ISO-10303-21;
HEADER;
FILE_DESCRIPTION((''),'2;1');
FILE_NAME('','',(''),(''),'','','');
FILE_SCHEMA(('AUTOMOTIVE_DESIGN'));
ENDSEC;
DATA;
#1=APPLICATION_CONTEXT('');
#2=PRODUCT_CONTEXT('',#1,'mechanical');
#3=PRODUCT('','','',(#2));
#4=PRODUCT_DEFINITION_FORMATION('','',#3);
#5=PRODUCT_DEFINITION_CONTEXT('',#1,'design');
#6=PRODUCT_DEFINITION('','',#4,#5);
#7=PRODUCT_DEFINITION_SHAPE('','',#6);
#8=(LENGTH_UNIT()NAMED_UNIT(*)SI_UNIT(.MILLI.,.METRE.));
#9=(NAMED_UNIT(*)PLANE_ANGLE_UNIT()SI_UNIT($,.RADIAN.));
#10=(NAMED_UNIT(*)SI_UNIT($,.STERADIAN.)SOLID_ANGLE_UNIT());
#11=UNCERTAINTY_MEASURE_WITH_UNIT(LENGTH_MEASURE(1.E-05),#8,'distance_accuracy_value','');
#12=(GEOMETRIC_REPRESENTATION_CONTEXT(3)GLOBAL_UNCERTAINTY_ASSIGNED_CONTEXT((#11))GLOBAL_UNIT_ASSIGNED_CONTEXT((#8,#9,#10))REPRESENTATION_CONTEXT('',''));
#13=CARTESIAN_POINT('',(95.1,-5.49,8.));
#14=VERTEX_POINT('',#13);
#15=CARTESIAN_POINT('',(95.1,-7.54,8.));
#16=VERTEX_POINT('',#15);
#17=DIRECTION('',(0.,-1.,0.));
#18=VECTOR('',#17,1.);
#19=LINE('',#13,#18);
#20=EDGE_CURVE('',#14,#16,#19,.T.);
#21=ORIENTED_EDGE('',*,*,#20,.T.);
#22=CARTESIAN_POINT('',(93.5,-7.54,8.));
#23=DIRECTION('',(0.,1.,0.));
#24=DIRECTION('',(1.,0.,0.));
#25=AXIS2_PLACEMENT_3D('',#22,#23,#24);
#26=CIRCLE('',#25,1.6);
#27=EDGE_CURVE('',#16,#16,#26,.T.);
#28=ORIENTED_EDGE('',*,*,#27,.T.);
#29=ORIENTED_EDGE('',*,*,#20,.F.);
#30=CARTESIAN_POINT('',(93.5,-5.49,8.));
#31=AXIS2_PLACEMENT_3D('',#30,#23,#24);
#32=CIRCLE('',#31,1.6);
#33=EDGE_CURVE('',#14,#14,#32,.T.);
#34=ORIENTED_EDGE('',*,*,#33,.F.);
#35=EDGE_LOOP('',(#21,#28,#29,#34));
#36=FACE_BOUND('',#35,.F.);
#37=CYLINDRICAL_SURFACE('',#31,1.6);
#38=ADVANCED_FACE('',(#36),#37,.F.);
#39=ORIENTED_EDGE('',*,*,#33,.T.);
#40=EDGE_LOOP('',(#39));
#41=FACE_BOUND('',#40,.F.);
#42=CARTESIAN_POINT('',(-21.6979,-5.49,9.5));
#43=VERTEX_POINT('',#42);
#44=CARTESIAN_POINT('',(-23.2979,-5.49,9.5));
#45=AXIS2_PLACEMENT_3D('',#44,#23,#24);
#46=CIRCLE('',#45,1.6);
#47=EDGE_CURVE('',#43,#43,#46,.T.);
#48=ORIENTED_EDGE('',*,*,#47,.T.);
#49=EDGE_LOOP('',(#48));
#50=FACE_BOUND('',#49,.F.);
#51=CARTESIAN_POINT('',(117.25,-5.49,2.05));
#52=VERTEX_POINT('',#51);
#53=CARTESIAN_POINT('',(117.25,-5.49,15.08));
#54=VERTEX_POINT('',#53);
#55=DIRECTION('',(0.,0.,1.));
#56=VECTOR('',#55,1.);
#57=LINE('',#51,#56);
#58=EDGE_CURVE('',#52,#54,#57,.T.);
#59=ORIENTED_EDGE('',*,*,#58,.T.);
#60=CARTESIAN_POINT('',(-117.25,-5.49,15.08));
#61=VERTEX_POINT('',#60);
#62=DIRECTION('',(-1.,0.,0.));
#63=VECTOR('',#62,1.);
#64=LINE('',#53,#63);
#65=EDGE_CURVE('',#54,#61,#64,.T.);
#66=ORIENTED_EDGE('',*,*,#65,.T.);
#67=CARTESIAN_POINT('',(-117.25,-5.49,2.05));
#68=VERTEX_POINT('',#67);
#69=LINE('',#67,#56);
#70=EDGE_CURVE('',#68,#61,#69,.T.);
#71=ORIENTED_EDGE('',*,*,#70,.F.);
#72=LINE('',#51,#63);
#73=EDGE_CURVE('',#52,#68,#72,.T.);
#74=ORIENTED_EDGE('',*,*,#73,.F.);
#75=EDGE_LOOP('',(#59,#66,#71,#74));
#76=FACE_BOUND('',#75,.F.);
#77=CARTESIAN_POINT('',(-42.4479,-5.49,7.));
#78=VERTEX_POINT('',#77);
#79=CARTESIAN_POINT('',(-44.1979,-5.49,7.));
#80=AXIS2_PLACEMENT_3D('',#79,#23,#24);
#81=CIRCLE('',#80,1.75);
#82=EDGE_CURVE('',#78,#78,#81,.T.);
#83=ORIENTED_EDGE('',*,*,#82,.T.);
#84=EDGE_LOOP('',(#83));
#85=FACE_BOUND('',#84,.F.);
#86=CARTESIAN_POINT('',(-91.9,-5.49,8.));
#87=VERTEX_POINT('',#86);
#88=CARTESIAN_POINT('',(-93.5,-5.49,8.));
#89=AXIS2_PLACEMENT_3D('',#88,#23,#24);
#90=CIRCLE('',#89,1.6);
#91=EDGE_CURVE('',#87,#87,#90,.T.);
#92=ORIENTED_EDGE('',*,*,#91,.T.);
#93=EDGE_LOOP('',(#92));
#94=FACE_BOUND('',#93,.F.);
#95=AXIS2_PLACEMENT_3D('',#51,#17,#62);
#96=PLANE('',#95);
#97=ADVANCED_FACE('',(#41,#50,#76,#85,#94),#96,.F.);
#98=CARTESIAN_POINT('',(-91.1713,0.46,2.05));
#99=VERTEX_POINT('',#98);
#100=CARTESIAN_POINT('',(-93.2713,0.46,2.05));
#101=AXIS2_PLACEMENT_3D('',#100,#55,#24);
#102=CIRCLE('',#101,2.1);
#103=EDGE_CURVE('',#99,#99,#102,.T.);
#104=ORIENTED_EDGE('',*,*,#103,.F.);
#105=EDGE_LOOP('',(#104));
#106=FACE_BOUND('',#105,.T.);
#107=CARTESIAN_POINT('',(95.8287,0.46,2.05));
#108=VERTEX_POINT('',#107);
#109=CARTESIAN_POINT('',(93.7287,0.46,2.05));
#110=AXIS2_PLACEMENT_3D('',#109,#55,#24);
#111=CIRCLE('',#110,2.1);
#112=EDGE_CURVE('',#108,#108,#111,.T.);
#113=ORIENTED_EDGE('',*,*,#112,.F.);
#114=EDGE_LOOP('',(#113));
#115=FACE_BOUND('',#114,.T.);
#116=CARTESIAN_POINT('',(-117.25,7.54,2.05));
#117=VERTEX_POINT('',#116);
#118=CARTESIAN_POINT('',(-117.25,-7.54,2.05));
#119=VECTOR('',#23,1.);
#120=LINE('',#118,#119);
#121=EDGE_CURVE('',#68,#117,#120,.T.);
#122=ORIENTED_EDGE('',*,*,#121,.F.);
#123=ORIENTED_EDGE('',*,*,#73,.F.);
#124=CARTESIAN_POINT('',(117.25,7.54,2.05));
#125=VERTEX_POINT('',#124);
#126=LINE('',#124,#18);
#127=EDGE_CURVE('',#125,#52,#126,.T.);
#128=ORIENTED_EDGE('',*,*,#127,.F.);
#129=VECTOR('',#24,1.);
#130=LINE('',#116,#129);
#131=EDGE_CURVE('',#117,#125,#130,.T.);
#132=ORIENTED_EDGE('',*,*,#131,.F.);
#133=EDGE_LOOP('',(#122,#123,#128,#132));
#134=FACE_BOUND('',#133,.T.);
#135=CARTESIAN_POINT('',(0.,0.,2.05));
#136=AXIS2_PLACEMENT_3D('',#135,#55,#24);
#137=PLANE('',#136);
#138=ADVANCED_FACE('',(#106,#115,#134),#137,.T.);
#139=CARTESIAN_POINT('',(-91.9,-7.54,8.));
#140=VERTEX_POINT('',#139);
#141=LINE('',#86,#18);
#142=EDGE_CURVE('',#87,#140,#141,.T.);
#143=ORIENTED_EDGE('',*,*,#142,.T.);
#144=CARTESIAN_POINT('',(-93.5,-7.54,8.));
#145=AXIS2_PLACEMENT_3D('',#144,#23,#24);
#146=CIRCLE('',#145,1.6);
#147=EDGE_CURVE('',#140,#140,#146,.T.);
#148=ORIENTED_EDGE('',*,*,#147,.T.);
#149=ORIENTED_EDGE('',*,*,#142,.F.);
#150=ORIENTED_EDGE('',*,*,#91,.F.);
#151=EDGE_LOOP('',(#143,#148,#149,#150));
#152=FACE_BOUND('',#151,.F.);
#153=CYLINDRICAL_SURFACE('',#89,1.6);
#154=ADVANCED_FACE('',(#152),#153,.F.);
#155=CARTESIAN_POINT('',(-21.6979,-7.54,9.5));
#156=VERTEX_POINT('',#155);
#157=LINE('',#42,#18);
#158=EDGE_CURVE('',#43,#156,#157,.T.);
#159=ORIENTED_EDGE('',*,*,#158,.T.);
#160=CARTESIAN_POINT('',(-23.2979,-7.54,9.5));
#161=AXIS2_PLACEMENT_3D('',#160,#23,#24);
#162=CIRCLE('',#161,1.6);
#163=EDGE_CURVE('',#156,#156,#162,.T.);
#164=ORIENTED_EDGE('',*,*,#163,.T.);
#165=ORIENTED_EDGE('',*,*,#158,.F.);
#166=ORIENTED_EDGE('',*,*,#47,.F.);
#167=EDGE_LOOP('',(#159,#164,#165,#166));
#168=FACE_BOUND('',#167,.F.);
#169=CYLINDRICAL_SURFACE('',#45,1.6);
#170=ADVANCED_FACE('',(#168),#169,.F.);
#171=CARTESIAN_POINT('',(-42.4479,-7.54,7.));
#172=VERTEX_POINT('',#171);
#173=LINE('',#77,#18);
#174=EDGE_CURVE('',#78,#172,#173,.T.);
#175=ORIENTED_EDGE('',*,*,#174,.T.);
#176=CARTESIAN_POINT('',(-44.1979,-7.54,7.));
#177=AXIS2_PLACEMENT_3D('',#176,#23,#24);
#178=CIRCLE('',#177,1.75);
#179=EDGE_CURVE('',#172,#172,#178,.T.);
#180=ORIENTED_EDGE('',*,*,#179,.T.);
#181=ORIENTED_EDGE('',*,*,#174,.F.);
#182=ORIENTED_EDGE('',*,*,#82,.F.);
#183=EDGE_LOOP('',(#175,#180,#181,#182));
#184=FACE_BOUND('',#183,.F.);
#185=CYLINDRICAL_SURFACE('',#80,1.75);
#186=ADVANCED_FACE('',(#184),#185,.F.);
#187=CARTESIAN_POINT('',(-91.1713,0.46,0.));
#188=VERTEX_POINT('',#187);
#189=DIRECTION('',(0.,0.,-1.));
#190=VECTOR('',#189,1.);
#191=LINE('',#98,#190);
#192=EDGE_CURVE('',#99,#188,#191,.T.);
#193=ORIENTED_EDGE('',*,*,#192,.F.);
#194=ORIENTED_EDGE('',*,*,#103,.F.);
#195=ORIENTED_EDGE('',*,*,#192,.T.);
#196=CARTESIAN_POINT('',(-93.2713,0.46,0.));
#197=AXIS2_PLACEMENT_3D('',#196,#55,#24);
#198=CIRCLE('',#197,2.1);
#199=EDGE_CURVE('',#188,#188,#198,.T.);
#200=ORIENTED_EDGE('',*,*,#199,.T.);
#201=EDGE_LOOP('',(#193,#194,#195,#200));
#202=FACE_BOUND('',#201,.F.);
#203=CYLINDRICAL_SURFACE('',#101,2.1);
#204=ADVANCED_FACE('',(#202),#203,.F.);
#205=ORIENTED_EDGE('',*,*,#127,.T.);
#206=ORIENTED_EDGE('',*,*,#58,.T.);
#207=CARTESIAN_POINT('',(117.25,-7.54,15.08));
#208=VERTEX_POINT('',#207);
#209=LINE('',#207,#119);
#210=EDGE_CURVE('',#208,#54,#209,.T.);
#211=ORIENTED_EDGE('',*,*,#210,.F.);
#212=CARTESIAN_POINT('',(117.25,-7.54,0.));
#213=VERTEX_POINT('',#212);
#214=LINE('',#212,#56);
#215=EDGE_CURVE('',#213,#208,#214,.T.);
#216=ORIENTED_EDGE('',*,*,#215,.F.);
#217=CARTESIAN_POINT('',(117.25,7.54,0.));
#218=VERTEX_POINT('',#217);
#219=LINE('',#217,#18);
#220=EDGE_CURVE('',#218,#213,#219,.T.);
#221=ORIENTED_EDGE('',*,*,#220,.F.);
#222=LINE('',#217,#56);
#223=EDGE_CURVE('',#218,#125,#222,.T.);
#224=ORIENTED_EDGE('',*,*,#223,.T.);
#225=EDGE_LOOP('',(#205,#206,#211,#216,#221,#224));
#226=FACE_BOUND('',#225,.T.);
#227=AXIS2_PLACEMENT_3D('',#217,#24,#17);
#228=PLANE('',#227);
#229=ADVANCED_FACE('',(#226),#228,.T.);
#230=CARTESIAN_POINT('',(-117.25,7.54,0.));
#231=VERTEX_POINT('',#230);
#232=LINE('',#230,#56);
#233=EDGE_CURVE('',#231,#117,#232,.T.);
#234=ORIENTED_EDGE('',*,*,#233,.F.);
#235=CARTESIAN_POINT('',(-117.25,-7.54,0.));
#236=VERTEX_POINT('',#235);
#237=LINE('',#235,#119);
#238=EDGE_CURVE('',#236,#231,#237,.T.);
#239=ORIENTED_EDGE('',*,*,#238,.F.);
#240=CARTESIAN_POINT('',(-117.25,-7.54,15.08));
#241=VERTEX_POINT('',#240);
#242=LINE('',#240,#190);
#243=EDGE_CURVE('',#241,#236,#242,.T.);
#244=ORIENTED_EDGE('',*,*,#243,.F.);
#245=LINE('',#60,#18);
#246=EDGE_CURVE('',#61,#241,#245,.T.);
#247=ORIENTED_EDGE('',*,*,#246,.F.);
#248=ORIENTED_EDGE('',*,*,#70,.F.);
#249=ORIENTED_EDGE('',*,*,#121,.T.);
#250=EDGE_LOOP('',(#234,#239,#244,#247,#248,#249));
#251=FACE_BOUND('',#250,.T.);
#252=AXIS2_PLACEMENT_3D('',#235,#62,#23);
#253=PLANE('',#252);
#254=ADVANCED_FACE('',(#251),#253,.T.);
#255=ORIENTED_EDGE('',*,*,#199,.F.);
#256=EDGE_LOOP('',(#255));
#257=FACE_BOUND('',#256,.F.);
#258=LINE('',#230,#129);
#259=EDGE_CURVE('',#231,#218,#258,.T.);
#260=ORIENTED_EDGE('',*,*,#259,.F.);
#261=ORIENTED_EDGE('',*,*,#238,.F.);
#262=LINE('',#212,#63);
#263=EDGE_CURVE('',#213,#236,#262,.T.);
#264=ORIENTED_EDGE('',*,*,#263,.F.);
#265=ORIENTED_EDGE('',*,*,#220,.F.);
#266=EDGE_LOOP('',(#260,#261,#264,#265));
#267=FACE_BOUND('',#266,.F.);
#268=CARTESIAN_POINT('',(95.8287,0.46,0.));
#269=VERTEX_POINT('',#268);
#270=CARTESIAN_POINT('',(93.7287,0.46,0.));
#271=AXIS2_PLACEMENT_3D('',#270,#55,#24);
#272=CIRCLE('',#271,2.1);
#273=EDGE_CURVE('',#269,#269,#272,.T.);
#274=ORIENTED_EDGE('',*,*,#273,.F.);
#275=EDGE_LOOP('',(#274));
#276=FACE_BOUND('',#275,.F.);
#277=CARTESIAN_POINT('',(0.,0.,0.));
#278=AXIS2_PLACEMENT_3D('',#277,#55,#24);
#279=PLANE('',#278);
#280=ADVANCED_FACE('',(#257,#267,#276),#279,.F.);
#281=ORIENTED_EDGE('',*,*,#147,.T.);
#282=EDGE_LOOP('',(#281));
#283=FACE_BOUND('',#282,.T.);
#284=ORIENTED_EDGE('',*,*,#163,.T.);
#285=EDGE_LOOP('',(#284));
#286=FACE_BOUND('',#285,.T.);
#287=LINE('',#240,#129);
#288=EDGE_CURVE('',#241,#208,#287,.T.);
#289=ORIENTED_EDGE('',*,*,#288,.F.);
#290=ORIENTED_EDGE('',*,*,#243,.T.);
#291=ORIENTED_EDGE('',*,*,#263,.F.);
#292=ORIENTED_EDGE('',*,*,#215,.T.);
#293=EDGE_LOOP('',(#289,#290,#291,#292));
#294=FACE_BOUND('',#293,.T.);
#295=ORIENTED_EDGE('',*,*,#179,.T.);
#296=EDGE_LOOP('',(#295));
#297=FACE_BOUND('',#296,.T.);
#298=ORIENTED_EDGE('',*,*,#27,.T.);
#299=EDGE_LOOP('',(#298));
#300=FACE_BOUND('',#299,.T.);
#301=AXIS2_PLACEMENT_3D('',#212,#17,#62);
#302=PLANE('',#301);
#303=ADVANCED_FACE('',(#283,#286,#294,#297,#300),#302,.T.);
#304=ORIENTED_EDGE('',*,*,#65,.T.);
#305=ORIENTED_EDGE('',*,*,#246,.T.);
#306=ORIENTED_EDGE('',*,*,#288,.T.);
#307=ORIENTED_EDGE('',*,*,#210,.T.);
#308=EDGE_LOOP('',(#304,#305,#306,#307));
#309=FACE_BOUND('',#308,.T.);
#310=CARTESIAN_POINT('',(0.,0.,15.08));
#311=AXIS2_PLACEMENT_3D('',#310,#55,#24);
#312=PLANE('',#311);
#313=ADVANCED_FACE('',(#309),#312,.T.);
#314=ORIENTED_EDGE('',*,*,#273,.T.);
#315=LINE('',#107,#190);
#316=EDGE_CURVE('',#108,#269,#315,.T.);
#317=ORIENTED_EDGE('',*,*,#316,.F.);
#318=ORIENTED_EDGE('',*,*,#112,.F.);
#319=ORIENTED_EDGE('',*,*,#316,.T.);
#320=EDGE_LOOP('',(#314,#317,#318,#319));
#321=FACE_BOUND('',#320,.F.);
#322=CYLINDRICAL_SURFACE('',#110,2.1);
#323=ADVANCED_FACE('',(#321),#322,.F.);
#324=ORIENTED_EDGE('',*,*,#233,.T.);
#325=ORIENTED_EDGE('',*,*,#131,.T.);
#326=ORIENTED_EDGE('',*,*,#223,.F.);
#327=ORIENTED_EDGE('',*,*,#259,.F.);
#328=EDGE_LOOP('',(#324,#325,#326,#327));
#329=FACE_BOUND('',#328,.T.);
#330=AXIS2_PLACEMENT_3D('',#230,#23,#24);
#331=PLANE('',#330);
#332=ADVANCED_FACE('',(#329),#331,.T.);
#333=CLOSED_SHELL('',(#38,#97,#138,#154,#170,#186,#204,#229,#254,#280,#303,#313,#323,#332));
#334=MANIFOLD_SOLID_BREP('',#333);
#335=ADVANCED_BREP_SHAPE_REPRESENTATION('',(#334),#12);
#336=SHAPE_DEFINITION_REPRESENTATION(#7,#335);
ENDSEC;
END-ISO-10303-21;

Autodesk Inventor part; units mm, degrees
ref_plane "YZ Plane" through (0, 0, 0) normal (1, 0, 0) x (0, 1, 0)
ref_plane "XZ Plane" through (0, 0, 0) normal (0, 1, 0) x (-1, 0, 0)
ref_plane "XY Plane" through (0, 0, 0) normal (0, 0, 1) x (1, 0, 0)
sketch "Sketch1" plane through (0, 0, 0) normal (0, 0, 1) x (1, 0, 0)
  line L0 (117.25, -7.54) -> (-117.25, -7.54)
  line L1 (-117.25, -7.54) -> (-117.25, 7.54)
  line L2 (-117.25, 7.54) -> (117.25, 7.54)
  line L3 (117.25, 7.54) -> (117.25, -7.54)
  line L4 (117.25, -7.54) -> (-117.25, 7.54) construction
  line L5 (-117.25, -7.54) -> (117.25, 7.54) construction
  point P0 (0, 0)
  dimension "d0" = 234.5
  dimension "d1" = 15.08
extrude "Extrusion1" add sketch "Sketch1" along normal blind 2.05
sketch "Sketch2" plane through (0, 0, 2.05) normal (0, 0, 1) x (1, 0, 0)
  line L0 (-117.25, -7.54) -> (117.25, -7.54) projected
  line L1 (117.25, -7.54) -> (117.25, 7.54) projected
  line L2 (-117.25, -7.54) -> (117.25, -7.54)
  line L3 (117.25, -7.54) -> (117.25, -5.49)
  line L4 (117.25, -5.49) -> (-117.25, -5.49)
  line L5 (-117.25, -5.49) -> (-117.25, -7.54)
  point P0 (0, 0)
  dimension "d4" = 2.05
extrude "Extrusion2" add sketch "Sketch2" along normal blind 13.03
sketch "Sketch3" plane through (-117.25, -5.49, 2.05) normal (0, 1, 0) x (1, 0, 0)
  circle A0 centre (23.75, -5.95) radius 1.6
  circle A1 centre (210.75, -5.95) radius 1.6
  line L0 (117.25, 2.05) -> (117.25, -13.2508)
  line L1 (0, 2.05) -> (234.5, 2.05) projected
  dimension "d7" = 93.5
  dimension "d8" = 93.5
  dimension "d9" = 8
  dimension "d10" = 8
  dimension "d13" = 3.2
  dimension "d14" = 3.2
extrude "Extrusion3" cut sketch "Sketch3" against normal blind 2.05
sketch "Sketch4" plane through (-117.25, -7.54, 0) normal (0, -1, 0) x (1, 0, 0)
  circle A0 centre (77.4621, 9.6496) radius 1.9
  point P0 (117.25, 0)
  dimension "d15" = 3.8
sketch "Sketch6" plane through (-117.25, -5.49, 2.05) normal (0, 1, 0) x (1, 0, 0)
  circle A0 centre (73.0521, -4.95) radius 1.75 projected
  point P0 (117.25, 2.05)
extrude "Extrusion6" cut sketch "Sketch6" against normal blind 3
sketch "Sketch7" plane through (-117.25, -5.49, 2.05) normal (0, 1, 0) x (1, 0, 0)
  circle A0 centre (73.0521, -4.95) radius 1.75 projected
  circle A1 centre (23.75, -5.95) radius 1.6 projected
  circle A2 centre (210.75, -5.95) radius 1.6 projected
  line L0 (0, 0) -> (234.5, 0) projected
  line L1 (0, 0) -> (0, -13.03) projected
  line L2 (234.5, -13.03) -> (0, -13.03) projected
  line L3 (234.5, 0) -> (234.5, -13.03) projected
  circle A3 centre (93.9521, -7.45) radius 1.6 projected
  point P0 (117.25, 2.05)
extrude "Extrusion7" cut sketch "Sketch7" against normal blind 10 contours A3
sketch "Sketch8" plane through (0, 0, 2.05) normal (0, 0, 1) x (1, 0, 0)
  line L0 (-117.25, -5.49) -> (117.25, -5.49) projected
  line L1 (117.25, -5.49) -> (117.25, 7.54) projected
  line L2 (117.25, 7.54) -> (-117.25, 7.54) projected
  line L3 (-117.25, 7.54) -> (-117.25, -5.49) projected
  circle A0 centre (-93.2713, 0.46) radius 2.1 projected
  circle A1 centre (93.7287, 0.46) radius 2.1 projected
  point P0 (0, 0)
extrude "Extrusion8" cut sketch "Sketch8" against normal blind 10 contours A0 | A1
properties part number "L"
